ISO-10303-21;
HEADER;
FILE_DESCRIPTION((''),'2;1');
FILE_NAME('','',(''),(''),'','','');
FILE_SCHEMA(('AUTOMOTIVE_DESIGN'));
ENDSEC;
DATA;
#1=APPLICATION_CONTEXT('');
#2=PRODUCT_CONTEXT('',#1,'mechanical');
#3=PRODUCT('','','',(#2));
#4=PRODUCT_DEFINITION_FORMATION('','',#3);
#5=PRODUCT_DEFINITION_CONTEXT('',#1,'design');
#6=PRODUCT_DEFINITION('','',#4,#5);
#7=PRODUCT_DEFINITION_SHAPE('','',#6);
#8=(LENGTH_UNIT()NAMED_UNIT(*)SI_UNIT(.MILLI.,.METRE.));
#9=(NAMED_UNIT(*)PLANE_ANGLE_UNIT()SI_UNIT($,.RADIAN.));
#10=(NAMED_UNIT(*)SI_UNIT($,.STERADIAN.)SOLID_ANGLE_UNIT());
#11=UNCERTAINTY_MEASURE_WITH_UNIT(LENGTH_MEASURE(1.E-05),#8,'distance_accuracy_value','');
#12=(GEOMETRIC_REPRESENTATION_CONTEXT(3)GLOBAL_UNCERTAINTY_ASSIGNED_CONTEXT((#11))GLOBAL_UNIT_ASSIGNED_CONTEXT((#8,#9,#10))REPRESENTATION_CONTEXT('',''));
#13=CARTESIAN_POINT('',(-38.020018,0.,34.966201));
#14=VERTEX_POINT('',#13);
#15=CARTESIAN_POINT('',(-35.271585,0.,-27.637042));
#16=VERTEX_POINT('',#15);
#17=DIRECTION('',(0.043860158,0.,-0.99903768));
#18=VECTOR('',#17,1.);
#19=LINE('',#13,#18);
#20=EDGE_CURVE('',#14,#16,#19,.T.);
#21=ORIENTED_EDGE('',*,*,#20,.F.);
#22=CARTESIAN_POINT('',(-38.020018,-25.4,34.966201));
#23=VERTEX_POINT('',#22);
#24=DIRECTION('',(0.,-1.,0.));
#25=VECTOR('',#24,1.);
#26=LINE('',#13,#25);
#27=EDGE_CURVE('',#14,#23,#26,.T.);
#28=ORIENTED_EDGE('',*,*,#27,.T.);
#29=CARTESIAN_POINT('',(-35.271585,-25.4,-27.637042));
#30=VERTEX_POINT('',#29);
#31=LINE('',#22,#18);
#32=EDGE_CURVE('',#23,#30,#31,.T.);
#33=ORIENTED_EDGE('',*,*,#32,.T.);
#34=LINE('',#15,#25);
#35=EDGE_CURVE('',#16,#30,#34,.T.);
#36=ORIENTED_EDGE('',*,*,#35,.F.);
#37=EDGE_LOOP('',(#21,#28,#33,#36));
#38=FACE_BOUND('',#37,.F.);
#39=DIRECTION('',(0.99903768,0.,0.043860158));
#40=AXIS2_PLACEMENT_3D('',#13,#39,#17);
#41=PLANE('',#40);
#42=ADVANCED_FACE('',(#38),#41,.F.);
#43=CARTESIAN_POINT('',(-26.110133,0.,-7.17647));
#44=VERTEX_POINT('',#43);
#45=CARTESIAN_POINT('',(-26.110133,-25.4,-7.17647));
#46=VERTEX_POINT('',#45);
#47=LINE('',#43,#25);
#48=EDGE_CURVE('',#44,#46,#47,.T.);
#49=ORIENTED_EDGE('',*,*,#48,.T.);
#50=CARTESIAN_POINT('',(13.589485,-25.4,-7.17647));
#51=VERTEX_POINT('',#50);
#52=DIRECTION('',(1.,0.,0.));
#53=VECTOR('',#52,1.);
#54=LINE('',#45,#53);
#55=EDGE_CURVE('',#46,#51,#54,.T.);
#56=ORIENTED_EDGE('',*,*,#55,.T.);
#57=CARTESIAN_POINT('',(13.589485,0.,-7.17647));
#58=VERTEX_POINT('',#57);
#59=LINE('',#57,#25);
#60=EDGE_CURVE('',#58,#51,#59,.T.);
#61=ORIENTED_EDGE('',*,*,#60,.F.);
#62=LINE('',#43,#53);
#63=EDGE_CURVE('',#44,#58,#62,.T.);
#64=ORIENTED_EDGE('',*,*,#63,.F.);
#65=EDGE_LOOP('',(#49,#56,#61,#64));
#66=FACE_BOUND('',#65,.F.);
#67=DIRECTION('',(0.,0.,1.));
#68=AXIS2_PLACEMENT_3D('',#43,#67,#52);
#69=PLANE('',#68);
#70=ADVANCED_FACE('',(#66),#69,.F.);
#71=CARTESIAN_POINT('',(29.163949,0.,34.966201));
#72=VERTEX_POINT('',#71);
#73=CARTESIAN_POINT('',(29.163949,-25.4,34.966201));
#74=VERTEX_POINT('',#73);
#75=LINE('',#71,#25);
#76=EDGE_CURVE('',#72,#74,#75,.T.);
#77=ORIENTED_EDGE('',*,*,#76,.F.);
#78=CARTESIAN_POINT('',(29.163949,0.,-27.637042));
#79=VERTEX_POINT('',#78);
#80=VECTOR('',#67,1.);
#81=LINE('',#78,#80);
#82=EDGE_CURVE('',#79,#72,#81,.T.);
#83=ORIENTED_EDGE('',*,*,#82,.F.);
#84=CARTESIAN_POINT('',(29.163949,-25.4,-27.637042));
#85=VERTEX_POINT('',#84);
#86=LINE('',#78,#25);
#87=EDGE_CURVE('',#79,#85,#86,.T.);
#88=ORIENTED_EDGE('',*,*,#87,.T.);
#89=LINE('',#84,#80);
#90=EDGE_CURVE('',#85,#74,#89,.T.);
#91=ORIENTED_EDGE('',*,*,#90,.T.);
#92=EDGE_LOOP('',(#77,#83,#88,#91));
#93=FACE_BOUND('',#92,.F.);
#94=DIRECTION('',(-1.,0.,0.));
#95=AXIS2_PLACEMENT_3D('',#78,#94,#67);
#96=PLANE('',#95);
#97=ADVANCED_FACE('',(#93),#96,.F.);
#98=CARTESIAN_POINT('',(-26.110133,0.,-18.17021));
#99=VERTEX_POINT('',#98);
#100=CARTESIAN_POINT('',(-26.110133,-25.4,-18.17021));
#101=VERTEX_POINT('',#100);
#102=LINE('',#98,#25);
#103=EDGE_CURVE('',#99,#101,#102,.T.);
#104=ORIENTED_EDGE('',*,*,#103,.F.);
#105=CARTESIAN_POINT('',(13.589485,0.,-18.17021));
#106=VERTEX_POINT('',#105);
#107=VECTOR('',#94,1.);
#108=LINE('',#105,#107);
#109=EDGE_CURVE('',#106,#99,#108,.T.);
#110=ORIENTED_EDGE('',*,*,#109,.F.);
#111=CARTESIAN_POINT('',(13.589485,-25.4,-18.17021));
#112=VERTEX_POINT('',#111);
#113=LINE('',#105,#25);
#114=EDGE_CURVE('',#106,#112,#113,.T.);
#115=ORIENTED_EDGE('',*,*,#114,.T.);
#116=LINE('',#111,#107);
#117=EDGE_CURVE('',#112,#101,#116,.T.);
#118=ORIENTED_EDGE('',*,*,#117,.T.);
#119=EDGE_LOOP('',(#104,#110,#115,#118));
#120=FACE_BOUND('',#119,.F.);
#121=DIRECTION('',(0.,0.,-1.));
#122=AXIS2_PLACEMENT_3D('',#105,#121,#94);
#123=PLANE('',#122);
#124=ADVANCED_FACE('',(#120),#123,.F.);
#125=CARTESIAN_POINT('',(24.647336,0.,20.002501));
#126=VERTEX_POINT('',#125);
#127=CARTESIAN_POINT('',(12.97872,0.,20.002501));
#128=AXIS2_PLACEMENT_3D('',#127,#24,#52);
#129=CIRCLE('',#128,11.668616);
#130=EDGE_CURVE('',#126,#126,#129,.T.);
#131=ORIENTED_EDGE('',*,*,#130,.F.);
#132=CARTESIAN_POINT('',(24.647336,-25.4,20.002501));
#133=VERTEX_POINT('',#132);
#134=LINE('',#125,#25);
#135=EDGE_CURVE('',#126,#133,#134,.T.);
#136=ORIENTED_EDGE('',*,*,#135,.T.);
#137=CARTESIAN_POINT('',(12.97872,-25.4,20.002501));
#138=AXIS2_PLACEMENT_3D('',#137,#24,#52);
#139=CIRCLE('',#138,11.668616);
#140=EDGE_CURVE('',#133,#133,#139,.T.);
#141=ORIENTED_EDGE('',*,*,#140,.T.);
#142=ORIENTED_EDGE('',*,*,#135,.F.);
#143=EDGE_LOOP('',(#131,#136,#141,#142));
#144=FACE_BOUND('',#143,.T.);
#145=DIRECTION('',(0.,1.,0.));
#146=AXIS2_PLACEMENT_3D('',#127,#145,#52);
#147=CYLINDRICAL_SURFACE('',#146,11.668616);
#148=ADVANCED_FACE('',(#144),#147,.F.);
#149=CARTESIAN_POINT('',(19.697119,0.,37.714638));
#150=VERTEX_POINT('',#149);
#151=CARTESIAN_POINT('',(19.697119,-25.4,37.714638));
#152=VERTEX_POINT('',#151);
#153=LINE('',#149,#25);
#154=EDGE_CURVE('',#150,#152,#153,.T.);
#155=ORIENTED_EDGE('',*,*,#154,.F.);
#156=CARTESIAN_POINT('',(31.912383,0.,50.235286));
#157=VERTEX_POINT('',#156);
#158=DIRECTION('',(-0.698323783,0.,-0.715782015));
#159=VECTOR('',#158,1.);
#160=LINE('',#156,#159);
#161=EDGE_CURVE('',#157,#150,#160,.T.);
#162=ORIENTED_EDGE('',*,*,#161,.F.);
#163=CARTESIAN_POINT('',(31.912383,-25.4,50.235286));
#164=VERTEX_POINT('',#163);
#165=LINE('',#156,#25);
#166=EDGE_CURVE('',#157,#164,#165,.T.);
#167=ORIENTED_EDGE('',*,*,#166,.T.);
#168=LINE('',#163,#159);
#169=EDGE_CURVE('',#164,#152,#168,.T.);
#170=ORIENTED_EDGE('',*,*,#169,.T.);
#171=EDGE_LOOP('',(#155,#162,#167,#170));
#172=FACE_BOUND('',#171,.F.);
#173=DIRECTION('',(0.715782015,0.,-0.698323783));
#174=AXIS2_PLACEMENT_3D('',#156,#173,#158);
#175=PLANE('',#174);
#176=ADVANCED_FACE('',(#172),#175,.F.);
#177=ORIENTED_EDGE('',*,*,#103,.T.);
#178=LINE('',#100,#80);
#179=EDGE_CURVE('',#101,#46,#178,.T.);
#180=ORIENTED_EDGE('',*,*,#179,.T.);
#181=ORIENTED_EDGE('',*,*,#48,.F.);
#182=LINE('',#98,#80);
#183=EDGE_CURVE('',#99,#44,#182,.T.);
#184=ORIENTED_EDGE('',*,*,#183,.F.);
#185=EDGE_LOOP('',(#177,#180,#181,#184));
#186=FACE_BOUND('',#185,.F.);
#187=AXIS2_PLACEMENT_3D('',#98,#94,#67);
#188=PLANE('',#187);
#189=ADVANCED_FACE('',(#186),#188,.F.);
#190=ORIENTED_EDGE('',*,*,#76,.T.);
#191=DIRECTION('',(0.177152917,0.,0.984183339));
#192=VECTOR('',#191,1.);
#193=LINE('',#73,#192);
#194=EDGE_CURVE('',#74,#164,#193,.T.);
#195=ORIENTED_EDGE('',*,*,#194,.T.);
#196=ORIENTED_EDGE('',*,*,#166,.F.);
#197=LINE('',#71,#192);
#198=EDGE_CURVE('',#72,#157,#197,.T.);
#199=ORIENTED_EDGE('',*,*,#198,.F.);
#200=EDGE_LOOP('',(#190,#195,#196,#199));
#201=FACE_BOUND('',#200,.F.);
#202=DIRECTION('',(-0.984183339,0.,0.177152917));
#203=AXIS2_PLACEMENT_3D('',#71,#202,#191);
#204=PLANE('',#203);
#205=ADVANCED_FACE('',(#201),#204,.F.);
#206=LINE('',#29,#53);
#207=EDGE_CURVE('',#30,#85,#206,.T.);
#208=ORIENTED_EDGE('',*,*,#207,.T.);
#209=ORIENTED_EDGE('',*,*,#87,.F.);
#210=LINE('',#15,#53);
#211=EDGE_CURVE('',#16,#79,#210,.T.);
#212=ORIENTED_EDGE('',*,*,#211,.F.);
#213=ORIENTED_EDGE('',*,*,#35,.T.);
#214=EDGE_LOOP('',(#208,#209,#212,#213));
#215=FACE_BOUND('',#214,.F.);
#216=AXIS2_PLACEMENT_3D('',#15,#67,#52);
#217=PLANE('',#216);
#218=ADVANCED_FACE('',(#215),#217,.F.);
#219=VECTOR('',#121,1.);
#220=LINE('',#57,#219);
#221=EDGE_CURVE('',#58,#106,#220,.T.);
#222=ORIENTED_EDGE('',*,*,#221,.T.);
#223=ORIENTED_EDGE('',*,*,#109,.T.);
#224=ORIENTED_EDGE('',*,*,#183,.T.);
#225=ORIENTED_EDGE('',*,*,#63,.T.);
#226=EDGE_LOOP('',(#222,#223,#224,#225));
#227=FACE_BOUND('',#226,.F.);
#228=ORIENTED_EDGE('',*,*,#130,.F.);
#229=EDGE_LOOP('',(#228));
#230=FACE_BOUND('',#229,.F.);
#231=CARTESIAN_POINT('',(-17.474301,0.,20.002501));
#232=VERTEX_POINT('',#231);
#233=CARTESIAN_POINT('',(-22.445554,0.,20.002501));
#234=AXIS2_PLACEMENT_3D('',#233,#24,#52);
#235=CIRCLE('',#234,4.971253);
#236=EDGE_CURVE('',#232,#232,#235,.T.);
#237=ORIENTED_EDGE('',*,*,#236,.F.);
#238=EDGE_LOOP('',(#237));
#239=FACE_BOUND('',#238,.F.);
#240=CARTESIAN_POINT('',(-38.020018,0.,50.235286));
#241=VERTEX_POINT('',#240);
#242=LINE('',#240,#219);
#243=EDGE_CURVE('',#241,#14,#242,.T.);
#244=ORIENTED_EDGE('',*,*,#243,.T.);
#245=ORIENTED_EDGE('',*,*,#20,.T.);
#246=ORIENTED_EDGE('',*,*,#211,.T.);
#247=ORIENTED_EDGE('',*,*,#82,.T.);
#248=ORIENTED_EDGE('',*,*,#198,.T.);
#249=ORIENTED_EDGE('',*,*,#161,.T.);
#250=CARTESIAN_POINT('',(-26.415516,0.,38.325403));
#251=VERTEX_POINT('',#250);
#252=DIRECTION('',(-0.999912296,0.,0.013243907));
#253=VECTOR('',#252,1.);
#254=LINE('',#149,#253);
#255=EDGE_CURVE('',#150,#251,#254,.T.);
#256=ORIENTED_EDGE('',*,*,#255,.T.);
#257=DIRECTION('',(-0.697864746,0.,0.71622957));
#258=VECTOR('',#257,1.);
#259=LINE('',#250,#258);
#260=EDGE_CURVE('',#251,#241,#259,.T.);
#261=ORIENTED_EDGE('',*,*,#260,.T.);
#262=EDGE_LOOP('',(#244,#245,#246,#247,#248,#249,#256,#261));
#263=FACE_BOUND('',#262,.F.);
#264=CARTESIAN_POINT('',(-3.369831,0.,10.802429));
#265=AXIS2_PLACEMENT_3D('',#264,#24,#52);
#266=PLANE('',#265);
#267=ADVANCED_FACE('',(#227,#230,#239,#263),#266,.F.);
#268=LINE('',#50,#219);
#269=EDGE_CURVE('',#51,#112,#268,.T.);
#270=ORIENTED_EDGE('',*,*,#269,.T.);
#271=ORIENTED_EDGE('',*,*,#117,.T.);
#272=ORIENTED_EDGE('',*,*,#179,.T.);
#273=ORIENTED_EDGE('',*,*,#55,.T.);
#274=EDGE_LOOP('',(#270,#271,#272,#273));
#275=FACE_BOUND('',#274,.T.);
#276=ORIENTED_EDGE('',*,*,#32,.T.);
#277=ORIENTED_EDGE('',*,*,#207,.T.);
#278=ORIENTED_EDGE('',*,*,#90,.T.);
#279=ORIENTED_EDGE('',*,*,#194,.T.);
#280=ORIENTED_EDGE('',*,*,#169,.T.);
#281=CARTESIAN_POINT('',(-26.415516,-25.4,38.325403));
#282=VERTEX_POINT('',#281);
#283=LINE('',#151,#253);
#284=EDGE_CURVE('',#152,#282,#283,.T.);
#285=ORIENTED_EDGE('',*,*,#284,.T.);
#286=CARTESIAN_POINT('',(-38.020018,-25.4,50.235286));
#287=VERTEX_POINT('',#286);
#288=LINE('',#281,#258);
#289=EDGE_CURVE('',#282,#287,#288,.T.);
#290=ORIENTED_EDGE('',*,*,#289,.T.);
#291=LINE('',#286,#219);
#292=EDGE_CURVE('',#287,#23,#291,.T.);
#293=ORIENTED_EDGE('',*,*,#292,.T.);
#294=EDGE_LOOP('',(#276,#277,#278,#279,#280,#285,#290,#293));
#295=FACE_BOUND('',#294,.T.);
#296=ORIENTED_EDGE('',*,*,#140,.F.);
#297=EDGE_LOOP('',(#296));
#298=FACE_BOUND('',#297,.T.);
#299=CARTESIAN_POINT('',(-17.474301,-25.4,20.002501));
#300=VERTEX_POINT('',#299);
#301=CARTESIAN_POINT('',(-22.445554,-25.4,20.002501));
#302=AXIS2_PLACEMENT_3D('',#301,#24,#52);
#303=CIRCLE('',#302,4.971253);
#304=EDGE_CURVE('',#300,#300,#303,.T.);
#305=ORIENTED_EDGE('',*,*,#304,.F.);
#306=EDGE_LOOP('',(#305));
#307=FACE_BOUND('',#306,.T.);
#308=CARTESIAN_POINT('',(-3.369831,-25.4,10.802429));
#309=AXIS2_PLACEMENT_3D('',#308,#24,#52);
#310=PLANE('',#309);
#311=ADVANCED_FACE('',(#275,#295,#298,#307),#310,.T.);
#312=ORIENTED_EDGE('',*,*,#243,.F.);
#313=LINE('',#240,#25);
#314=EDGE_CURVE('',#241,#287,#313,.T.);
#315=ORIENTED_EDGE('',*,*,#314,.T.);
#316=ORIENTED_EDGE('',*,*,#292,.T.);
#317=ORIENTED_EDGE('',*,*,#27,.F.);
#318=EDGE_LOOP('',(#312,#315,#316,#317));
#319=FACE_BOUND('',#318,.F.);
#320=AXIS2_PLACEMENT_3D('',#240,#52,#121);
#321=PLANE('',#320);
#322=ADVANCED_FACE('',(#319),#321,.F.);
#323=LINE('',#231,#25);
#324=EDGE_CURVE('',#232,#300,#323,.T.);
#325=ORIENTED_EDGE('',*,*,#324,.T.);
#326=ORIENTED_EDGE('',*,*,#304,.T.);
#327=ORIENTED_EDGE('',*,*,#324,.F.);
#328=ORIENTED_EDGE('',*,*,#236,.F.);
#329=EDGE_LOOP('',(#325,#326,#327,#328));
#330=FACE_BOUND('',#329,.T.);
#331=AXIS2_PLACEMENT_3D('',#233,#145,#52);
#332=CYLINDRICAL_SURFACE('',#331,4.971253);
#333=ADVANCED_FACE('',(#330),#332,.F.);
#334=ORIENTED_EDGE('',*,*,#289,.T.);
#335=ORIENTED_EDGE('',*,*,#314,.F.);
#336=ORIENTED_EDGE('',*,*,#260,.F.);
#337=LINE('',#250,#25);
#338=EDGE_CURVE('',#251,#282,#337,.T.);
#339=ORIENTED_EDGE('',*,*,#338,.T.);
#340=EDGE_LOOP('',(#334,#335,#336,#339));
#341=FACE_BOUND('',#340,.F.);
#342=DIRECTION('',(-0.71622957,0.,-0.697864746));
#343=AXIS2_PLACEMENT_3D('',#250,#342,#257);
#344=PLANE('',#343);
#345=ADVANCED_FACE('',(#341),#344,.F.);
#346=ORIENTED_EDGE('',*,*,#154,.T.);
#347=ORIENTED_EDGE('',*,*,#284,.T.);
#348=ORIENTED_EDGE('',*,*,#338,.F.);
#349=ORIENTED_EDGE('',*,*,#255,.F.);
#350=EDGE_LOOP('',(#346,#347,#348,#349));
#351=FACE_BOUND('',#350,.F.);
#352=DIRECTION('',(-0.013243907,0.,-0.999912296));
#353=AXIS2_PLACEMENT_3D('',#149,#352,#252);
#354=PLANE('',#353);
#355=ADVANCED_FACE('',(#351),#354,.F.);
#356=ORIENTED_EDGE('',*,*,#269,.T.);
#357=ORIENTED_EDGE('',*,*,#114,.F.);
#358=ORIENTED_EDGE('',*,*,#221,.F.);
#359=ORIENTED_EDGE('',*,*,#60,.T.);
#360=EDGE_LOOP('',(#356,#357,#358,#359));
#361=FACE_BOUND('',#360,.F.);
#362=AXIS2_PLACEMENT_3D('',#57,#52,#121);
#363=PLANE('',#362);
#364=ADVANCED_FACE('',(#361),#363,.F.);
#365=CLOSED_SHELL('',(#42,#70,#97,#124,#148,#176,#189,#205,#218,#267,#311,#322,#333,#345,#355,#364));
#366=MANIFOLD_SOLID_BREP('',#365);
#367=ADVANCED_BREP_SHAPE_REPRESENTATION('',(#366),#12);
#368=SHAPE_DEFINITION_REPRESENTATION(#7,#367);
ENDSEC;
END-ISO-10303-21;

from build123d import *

# Parameters (mm, degrees)
F0_R     = 4.971253
F0_R_2   = 11.668616
F1_DEPTH = 25.4


with BuildPart() as f1:
    # F0 (on Front) → F1 (new body)
    with BuildSketch(Plane.XZ):
        Polygon((19.697119, 37.714638), (-26.415516, 38.325403), (-38.020018, 50.235286), (-38.020018, 34.966201), (-35.271585, -27.637042), (29.163949, -27.637042), (29.163949, 34.966201), (31.912383, 50.235286), align=None)
        Polygon((-26.110133, -12.67334), (-26.110133, -7.17647), (-21.224027, -7.17647), (-16.33792, -7.17647), (-12.062577, -7.17647), (-6.260324, -7.17647), (-2.901126, -7.17647), (2.290364, -7.17647), (6.260325, -7.17647), (9.314141, -7.17647), (13.589485, -7.17647), (13.589485, -12.67334), (13.589485, -18.17021), (9.314141, -18.17021), (6.260325, -18.17021), (2.290364, -18.17021), (-2.901126, -18.17021), (-6.260324, -18.17021), (-12.062577, -18.17021), (-16.33792, -18.17021), (-21.224027, -18.17021), (-26.110133, -18.17021), align=None, mode=Mode.SUBTRACT)
        with Locations((-22.445554, 20.002501)):
            Circle(F0_R, mode=Mode.SUBTRACT)
        with Locations((12.97872, 20.002501)):
            Circle(F0_R_2, mode=Mode.SUBTRACT)
    extrude(amount=F1_DEPTH)


solid = f1.part
